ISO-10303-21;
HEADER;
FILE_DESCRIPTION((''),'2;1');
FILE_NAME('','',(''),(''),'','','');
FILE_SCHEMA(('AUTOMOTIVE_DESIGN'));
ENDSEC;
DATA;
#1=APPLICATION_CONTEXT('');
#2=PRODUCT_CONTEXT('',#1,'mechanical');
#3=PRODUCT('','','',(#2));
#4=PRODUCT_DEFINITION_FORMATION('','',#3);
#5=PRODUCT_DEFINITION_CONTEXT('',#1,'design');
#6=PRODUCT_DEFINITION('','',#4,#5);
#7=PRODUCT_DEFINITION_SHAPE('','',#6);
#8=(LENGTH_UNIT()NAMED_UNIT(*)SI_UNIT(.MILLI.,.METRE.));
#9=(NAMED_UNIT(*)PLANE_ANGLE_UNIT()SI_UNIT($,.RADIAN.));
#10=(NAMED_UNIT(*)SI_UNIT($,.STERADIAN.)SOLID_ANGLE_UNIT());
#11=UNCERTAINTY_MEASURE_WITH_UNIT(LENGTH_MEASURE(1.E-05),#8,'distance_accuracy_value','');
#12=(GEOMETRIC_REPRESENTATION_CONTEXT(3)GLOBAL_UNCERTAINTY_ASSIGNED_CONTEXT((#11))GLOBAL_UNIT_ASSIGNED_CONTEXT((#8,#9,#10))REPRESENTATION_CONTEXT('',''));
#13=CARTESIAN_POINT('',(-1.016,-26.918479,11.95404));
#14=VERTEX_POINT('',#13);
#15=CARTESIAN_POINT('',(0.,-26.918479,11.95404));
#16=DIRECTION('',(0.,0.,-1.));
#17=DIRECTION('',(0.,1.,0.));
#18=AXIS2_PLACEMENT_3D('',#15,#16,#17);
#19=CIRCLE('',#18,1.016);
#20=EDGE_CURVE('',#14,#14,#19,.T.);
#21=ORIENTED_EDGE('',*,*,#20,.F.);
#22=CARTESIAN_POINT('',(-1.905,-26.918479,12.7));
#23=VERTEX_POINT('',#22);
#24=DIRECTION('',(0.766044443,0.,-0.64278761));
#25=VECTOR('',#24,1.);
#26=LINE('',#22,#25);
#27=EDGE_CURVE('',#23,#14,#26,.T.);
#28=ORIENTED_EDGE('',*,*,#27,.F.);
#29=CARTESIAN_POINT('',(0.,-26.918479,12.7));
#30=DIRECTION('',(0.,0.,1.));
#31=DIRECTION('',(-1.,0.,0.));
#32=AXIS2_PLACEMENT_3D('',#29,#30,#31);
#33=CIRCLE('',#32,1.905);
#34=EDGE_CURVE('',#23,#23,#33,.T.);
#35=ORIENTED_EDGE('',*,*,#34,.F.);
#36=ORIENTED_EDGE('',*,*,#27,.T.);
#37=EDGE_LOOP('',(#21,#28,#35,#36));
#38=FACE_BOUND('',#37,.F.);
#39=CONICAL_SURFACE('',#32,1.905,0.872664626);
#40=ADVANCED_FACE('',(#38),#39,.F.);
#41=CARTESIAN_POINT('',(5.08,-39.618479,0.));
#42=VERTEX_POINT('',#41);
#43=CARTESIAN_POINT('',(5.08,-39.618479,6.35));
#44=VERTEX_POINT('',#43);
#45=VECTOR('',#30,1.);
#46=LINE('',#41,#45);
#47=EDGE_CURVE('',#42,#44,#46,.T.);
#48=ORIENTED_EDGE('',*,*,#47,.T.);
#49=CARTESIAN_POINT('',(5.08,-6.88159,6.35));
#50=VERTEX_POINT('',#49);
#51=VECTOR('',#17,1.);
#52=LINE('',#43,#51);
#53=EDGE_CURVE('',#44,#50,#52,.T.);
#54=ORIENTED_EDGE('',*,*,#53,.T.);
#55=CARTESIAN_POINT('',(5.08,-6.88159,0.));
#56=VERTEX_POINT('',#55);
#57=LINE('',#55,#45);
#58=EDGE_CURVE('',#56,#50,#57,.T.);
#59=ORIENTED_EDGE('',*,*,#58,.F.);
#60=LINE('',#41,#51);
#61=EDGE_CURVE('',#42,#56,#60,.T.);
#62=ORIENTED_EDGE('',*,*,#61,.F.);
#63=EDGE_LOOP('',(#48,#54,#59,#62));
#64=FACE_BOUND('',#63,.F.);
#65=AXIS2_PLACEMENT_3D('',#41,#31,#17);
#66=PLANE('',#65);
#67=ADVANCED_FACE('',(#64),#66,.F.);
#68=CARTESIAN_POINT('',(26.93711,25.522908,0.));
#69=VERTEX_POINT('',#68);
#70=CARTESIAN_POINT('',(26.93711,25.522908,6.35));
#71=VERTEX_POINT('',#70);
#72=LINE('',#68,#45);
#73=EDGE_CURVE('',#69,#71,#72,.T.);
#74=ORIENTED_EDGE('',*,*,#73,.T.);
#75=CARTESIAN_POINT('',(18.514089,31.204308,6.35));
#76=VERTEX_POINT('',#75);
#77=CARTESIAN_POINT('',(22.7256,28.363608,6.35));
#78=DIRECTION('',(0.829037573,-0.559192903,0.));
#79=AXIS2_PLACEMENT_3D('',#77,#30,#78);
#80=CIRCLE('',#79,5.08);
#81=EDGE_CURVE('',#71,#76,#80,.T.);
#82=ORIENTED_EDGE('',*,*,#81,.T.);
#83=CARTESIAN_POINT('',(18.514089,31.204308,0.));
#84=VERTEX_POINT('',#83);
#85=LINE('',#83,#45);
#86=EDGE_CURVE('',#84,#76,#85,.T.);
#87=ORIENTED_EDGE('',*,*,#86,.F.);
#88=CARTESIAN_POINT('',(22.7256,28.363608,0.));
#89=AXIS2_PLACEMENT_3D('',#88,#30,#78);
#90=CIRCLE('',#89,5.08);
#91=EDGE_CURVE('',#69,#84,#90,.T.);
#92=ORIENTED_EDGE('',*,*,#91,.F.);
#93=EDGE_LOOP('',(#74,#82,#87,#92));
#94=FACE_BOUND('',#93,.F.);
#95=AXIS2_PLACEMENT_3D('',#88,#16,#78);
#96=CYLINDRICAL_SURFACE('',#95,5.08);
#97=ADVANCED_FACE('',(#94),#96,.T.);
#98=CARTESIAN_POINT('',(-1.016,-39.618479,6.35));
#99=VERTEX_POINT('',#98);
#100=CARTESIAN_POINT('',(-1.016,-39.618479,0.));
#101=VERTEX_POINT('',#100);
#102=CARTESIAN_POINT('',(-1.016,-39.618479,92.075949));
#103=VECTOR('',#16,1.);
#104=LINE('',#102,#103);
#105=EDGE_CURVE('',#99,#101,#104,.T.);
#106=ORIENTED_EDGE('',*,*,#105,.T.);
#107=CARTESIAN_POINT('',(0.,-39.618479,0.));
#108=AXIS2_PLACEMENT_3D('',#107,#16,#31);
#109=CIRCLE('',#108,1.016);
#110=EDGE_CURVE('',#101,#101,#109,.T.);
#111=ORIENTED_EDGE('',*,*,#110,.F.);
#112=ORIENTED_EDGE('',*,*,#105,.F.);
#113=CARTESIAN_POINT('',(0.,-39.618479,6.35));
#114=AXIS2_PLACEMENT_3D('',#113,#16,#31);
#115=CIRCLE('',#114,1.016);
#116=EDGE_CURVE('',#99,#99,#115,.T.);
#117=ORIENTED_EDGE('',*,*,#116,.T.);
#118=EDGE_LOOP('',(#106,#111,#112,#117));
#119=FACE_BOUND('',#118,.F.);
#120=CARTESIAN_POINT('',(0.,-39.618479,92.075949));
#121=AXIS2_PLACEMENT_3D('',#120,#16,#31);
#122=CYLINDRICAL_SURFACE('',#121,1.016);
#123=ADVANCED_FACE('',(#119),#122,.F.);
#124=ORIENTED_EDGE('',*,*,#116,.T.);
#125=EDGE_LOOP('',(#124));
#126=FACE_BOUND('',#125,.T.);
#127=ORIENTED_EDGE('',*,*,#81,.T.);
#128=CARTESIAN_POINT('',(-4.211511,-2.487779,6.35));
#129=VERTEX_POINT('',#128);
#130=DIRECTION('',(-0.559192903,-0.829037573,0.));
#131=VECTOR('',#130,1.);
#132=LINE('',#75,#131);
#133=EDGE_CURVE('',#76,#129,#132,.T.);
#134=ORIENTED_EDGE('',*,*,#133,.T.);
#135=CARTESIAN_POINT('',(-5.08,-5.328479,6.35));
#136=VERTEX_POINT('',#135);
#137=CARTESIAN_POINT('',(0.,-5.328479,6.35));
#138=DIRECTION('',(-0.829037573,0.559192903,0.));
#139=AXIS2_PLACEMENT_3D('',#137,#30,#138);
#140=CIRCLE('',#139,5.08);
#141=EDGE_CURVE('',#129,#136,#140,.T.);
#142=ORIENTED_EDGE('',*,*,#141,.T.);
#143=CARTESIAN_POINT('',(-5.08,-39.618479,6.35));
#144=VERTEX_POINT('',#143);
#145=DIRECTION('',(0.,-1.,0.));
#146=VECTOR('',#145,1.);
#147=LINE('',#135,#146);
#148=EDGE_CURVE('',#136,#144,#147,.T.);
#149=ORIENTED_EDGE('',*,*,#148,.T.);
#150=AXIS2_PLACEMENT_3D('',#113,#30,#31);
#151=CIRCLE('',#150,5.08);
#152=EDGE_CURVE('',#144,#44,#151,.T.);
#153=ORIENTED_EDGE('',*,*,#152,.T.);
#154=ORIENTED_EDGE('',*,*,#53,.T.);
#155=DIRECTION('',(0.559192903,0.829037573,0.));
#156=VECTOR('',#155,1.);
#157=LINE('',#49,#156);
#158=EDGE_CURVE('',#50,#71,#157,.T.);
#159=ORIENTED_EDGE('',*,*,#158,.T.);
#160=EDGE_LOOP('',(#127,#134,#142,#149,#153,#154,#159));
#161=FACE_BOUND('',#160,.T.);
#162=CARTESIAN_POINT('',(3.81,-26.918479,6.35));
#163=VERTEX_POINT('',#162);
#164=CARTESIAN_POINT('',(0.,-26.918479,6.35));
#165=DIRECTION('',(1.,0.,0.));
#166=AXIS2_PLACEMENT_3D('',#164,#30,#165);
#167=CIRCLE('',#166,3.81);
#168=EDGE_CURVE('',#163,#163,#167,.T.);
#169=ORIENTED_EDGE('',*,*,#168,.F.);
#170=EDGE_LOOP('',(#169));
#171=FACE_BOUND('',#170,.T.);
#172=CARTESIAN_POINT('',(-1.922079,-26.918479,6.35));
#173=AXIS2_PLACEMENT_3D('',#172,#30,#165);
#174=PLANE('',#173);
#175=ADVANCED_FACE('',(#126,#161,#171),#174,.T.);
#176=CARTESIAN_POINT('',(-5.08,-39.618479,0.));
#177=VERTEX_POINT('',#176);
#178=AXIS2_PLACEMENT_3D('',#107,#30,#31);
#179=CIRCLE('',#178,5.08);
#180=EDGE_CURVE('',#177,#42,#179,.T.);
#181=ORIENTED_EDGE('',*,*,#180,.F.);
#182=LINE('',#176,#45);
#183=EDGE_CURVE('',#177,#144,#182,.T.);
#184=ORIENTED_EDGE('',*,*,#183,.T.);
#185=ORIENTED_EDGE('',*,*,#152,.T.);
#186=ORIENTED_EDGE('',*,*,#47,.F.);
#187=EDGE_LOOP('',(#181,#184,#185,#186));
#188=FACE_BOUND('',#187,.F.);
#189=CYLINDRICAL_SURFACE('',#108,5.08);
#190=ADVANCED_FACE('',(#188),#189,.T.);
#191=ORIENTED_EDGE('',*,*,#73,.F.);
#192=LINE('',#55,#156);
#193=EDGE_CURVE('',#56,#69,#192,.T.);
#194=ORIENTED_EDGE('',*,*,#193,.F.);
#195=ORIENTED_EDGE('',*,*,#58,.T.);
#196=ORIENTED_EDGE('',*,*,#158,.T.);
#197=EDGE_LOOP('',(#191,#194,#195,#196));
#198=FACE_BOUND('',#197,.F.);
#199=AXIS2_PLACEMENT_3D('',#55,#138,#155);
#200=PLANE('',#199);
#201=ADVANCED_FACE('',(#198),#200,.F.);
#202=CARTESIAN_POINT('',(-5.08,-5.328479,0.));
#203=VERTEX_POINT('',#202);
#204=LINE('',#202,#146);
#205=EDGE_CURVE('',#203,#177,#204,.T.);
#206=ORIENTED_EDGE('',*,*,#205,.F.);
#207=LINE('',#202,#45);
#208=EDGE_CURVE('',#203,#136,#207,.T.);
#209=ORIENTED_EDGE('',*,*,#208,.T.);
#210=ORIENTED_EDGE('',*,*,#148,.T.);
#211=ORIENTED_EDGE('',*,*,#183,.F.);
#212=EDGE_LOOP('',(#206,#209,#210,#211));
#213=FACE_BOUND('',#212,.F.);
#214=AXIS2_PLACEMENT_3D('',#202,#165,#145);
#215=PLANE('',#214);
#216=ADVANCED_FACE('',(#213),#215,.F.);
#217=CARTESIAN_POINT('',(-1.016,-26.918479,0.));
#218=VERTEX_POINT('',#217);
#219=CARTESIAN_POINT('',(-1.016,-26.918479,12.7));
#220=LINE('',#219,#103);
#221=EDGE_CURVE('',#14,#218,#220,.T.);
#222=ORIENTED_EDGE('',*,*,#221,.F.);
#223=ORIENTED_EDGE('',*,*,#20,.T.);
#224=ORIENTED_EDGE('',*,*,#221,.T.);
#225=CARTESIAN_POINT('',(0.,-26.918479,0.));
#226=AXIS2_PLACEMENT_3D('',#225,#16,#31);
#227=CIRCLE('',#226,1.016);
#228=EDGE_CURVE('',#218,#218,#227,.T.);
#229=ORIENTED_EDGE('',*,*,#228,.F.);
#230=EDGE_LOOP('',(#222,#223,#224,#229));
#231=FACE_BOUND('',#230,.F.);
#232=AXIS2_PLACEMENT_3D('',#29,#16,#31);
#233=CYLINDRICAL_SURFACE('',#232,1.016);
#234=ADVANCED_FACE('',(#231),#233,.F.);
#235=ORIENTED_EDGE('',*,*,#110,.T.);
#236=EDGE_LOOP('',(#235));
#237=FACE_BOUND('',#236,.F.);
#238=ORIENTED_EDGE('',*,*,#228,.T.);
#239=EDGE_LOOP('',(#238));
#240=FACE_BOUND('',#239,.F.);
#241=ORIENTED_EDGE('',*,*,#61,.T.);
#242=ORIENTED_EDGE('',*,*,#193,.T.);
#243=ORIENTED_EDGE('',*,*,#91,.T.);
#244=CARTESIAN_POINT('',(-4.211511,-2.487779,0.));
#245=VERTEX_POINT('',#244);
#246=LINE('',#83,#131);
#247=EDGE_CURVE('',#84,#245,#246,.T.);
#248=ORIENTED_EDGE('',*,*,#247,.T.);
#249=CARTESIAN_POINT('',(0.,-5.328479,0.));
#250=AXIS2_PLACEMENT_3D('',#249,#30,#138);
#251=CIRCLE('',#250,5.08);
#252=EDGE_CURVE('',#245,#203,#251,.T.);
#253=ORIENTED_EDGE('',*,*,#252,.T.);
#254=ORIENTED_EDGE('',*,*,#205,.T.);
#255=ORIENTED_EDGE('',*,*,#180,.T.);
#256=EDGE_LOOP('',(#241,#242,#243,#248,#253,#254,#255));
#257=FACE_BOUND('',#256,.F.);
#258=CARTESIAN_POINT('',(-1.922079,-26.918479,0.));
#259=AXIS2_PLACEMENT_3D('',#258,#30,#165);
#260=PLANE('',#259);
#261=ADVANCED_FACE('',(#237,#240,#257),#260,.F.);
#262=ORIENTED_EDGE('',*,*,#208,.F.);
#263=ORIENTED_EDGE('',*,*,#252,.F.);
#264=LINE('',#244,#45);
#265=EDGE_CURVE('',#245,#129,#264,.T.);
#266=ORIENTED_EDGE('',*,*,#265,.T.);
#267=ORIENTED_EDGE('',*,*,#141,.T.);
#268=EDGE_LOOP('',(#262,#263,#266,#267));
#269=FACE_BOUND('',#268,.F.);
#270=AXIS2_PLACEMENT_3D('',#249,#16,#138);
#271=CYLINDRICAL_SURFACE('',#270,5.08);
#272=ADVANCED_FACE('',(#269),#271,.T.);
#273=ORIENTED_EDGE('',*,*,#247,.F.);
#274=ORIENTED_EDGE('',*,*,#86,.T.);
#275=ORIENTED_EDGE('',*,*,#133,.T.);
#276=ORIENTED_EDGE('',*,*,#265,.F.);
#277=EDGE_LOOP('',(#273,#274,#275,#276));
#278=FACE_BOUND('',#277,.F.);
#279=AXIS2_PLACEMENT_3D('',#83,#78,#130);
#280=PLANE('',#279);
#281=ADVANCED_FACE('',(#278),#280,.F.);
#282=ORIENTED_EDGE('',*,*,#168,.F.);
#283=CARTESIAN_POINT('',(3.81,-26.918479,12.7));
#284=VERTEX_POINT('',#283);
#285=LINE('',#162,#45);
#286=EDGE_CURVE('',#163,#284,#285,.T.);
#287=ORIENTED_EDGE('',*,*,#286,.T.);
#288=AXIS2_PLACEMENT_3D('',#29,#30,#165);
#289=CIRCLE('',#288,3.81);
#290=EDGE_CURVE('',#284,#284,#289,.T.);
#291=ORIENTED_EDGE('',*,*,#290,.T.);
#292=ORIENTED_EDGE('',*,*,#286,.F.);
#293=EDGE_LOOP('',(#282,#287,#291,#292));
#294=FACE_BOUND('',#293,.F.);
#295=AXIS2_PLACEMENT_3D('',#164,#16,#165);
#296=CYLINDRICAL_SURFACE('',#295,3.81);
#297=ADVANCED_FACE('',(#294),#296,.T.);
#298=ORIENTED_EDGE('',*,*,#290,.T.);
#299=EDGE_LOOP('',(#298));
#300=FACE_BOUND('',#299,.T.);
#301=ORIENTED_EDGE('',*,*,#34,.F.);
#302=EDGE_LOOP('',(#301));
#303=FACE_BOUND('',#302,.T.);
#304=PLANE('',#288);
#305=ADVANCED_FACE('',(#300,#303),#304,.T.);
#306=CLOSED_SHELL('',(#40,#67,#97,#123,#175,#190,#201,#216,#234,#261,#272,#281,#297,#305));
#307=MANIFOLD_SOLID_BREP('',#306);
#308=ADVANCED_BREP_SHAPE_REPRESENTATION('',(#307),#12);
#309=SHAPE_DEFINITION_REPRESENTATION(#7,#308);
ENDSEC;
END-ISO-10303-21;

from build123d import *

# Parameters (mm, degrees)
F1_DEPTH       = 6.35
F2_R           = 3.81
F3_DEPTH       = 6.35
F5_D           = 2.032
F5_CSINK_D     = 3.81
F5_CSINK_ANGLE = 100
F7_D           = 2.032


with BuildPart() as f1:
    # F0 (on Top) → F1 (new body)
    with BuildSketch(Plane.XY):
        with BuildLine():
            ThreePointArc((-5.08, -26.9184786366), (-3.5921024484, -30.5105810851), (0, -31.9984786366))
            Line((0, -31.9984786366), (0, -26.9184786366))
            Line((0, -26.9184786366), (0, -21.8384786366))
            ThreePointArc((0, -21.8384786366), (-3.5921024484, -23.3263761882), (-5.08, -26.9184786366))
        make_face()
        with BuildLine():
            Line((0, -26.9184786366), (0, -31.9984786366))
            ThreePointArc((0, -31.9984786366), (3.5921024484, -30.5105810851), (5.08, -26.9184786366))
            ThreePointArc((5.08, -26.9184786366), (3.5921024484, -23.3263761882), (0, -21.8384786366))
            Line((0, -21.8384786366), (0, -26.9184786366))
        make_face()
        with BuildLine():
            ThreePointArc((5.08, -26.9184786366), (3.5921024484, -30.5105810851), (0, -31.9984786366))
            ThreePointArc((0, -31.9984786366), (-3.5921024484, -30.5105810851), (-5.08, -26.9184786366))
            Line((-5.08, -26.9184786366), (-5.08, -39.6184786366))
            ThreePointArc((-5.08, -39.6184786366), (0, -44.6984786366), (5.08, -39.6184786366))
            Line((5.08, -39.6184786366), (5.08, -26.9184786366))
        make_face()
        with BuildLine():
            ThreePointArc((0, -21.8384786366), (3.5921024484, -23.3263761882), (5.08, -26.9184786366))
            Line((5.08, -26.9184786366), (5.08, -6.8815904984))
            Line((5.08, -6.8815904984), (4.2115108686, -8.1691785863))
            ThreePointArc((4.2115108686, -8.1691785863), (2.384915539, -9.8138524083), (0, -10.4084786366))
            Line((0, -10.4084786366), (0, -21.8384786366))
        make_face()
        with BuildLine():
            Line((-5.08, -5.3284786366), (-5.08, -26.9184786366))
            ThreePointArc((-5.08, -26.9184786366), (-3.5921024484, -23.3263761882), (0, -21.8384786366))
            Line((0, -21.8384786366), (0, -10.4084786366))
            ThreePointArc((0, -10.4084786366), (-3.5921024484, -8.9205810851), (-5.08, -5.3284786366))
        make_face()
        with BuildLine():
            Line((5.08, -5.3284786366), (5.08, -6.8815904984))
            Line((5.08, -6.8815904984), (26.9371104656, 25.5229083624))
            ThreePointArc((26.9371104656, 25.5229083624), (25.5662995467, 32.5751191806), (18.5140887285, 31.2043082616))
            Line((18.5140887285, 31.2043082616), (-4.2115108686, -2.487778687))
            ThreePointArc((-4.2115108686, -2.487778687), (-0.9693096965, -0.3418125447), (2.8406999496, -1.116967768))
            ThreePointArc((2.8406999496, -1.116967768), (4.4853737717, -2.9435630977), (5.08, -5.3284786366))
        make_face()
        with BuildLine():
            Line((4.2115108686, -8.1691785863), (5.08, -6.8815904984))
            Line((5.08, -6.8815904984), (5.08, -5.3284786366))
            ThreePointArc((5.08, -5.3284786366), (4.4853737717, -2.9435630977), (2.8406999496, -1.116967768))
            Line((2.8406999496, -1.116967768), (0, -5.3284786366))
            Line((0, -5.3284786366), (0, -10.4084786366))
            ThreePointArc((0, -10.4084786366), (2.384915539, -9.8138524083), (4.2115108686, -8.1691785863))
        make_face()
        with BuildLine():
            ThreePointArc((-4.2115108686, -2.487778687), (-4.8580281603, -3.8432303766), (-5.08, -5.3284786366))
            ThreePointArc((-5.08, -5.3284786366), (-3.5921024484, -8.9205810851), (0, -10.4084786366))
            Line((0, -10.4084786366), (0, -5.3284786366))
            Line((0, -5.3284786366), (2.8406999496, -1.116967768))
            ThreePointArc((2.8406999496, -1.116967768), (-0.9693096965, -0.3418125447), (-4.2115108686, -2.487778687))
        make_face()
    extrude(amount=F1_DEPTH)

    # F2 (on face) → F3 (join)
    with BuildSketch(Plane.XY.offset(6.35)):
        with Locations((0, -26.9184786366)):
            Circle(F2_R)
    extrude(amount=F3_DEPTH)

    # F5 (through all)
    with Locations(Plane.XY.offset(12.7)):
        with Locations((0, -26.9184786366)):
            CounterSinkHole(F5_D / 2, F5_CSINK_D / 2, counter_sink_angle=F5_CSINK_ANGLE)

    # F7 (through all)
    with Locations(Plane.XY.offset(6.35)):
        with Locations((0, -39.6184786366)):
            Hole(F7_D / 2)


solid = f1.part
